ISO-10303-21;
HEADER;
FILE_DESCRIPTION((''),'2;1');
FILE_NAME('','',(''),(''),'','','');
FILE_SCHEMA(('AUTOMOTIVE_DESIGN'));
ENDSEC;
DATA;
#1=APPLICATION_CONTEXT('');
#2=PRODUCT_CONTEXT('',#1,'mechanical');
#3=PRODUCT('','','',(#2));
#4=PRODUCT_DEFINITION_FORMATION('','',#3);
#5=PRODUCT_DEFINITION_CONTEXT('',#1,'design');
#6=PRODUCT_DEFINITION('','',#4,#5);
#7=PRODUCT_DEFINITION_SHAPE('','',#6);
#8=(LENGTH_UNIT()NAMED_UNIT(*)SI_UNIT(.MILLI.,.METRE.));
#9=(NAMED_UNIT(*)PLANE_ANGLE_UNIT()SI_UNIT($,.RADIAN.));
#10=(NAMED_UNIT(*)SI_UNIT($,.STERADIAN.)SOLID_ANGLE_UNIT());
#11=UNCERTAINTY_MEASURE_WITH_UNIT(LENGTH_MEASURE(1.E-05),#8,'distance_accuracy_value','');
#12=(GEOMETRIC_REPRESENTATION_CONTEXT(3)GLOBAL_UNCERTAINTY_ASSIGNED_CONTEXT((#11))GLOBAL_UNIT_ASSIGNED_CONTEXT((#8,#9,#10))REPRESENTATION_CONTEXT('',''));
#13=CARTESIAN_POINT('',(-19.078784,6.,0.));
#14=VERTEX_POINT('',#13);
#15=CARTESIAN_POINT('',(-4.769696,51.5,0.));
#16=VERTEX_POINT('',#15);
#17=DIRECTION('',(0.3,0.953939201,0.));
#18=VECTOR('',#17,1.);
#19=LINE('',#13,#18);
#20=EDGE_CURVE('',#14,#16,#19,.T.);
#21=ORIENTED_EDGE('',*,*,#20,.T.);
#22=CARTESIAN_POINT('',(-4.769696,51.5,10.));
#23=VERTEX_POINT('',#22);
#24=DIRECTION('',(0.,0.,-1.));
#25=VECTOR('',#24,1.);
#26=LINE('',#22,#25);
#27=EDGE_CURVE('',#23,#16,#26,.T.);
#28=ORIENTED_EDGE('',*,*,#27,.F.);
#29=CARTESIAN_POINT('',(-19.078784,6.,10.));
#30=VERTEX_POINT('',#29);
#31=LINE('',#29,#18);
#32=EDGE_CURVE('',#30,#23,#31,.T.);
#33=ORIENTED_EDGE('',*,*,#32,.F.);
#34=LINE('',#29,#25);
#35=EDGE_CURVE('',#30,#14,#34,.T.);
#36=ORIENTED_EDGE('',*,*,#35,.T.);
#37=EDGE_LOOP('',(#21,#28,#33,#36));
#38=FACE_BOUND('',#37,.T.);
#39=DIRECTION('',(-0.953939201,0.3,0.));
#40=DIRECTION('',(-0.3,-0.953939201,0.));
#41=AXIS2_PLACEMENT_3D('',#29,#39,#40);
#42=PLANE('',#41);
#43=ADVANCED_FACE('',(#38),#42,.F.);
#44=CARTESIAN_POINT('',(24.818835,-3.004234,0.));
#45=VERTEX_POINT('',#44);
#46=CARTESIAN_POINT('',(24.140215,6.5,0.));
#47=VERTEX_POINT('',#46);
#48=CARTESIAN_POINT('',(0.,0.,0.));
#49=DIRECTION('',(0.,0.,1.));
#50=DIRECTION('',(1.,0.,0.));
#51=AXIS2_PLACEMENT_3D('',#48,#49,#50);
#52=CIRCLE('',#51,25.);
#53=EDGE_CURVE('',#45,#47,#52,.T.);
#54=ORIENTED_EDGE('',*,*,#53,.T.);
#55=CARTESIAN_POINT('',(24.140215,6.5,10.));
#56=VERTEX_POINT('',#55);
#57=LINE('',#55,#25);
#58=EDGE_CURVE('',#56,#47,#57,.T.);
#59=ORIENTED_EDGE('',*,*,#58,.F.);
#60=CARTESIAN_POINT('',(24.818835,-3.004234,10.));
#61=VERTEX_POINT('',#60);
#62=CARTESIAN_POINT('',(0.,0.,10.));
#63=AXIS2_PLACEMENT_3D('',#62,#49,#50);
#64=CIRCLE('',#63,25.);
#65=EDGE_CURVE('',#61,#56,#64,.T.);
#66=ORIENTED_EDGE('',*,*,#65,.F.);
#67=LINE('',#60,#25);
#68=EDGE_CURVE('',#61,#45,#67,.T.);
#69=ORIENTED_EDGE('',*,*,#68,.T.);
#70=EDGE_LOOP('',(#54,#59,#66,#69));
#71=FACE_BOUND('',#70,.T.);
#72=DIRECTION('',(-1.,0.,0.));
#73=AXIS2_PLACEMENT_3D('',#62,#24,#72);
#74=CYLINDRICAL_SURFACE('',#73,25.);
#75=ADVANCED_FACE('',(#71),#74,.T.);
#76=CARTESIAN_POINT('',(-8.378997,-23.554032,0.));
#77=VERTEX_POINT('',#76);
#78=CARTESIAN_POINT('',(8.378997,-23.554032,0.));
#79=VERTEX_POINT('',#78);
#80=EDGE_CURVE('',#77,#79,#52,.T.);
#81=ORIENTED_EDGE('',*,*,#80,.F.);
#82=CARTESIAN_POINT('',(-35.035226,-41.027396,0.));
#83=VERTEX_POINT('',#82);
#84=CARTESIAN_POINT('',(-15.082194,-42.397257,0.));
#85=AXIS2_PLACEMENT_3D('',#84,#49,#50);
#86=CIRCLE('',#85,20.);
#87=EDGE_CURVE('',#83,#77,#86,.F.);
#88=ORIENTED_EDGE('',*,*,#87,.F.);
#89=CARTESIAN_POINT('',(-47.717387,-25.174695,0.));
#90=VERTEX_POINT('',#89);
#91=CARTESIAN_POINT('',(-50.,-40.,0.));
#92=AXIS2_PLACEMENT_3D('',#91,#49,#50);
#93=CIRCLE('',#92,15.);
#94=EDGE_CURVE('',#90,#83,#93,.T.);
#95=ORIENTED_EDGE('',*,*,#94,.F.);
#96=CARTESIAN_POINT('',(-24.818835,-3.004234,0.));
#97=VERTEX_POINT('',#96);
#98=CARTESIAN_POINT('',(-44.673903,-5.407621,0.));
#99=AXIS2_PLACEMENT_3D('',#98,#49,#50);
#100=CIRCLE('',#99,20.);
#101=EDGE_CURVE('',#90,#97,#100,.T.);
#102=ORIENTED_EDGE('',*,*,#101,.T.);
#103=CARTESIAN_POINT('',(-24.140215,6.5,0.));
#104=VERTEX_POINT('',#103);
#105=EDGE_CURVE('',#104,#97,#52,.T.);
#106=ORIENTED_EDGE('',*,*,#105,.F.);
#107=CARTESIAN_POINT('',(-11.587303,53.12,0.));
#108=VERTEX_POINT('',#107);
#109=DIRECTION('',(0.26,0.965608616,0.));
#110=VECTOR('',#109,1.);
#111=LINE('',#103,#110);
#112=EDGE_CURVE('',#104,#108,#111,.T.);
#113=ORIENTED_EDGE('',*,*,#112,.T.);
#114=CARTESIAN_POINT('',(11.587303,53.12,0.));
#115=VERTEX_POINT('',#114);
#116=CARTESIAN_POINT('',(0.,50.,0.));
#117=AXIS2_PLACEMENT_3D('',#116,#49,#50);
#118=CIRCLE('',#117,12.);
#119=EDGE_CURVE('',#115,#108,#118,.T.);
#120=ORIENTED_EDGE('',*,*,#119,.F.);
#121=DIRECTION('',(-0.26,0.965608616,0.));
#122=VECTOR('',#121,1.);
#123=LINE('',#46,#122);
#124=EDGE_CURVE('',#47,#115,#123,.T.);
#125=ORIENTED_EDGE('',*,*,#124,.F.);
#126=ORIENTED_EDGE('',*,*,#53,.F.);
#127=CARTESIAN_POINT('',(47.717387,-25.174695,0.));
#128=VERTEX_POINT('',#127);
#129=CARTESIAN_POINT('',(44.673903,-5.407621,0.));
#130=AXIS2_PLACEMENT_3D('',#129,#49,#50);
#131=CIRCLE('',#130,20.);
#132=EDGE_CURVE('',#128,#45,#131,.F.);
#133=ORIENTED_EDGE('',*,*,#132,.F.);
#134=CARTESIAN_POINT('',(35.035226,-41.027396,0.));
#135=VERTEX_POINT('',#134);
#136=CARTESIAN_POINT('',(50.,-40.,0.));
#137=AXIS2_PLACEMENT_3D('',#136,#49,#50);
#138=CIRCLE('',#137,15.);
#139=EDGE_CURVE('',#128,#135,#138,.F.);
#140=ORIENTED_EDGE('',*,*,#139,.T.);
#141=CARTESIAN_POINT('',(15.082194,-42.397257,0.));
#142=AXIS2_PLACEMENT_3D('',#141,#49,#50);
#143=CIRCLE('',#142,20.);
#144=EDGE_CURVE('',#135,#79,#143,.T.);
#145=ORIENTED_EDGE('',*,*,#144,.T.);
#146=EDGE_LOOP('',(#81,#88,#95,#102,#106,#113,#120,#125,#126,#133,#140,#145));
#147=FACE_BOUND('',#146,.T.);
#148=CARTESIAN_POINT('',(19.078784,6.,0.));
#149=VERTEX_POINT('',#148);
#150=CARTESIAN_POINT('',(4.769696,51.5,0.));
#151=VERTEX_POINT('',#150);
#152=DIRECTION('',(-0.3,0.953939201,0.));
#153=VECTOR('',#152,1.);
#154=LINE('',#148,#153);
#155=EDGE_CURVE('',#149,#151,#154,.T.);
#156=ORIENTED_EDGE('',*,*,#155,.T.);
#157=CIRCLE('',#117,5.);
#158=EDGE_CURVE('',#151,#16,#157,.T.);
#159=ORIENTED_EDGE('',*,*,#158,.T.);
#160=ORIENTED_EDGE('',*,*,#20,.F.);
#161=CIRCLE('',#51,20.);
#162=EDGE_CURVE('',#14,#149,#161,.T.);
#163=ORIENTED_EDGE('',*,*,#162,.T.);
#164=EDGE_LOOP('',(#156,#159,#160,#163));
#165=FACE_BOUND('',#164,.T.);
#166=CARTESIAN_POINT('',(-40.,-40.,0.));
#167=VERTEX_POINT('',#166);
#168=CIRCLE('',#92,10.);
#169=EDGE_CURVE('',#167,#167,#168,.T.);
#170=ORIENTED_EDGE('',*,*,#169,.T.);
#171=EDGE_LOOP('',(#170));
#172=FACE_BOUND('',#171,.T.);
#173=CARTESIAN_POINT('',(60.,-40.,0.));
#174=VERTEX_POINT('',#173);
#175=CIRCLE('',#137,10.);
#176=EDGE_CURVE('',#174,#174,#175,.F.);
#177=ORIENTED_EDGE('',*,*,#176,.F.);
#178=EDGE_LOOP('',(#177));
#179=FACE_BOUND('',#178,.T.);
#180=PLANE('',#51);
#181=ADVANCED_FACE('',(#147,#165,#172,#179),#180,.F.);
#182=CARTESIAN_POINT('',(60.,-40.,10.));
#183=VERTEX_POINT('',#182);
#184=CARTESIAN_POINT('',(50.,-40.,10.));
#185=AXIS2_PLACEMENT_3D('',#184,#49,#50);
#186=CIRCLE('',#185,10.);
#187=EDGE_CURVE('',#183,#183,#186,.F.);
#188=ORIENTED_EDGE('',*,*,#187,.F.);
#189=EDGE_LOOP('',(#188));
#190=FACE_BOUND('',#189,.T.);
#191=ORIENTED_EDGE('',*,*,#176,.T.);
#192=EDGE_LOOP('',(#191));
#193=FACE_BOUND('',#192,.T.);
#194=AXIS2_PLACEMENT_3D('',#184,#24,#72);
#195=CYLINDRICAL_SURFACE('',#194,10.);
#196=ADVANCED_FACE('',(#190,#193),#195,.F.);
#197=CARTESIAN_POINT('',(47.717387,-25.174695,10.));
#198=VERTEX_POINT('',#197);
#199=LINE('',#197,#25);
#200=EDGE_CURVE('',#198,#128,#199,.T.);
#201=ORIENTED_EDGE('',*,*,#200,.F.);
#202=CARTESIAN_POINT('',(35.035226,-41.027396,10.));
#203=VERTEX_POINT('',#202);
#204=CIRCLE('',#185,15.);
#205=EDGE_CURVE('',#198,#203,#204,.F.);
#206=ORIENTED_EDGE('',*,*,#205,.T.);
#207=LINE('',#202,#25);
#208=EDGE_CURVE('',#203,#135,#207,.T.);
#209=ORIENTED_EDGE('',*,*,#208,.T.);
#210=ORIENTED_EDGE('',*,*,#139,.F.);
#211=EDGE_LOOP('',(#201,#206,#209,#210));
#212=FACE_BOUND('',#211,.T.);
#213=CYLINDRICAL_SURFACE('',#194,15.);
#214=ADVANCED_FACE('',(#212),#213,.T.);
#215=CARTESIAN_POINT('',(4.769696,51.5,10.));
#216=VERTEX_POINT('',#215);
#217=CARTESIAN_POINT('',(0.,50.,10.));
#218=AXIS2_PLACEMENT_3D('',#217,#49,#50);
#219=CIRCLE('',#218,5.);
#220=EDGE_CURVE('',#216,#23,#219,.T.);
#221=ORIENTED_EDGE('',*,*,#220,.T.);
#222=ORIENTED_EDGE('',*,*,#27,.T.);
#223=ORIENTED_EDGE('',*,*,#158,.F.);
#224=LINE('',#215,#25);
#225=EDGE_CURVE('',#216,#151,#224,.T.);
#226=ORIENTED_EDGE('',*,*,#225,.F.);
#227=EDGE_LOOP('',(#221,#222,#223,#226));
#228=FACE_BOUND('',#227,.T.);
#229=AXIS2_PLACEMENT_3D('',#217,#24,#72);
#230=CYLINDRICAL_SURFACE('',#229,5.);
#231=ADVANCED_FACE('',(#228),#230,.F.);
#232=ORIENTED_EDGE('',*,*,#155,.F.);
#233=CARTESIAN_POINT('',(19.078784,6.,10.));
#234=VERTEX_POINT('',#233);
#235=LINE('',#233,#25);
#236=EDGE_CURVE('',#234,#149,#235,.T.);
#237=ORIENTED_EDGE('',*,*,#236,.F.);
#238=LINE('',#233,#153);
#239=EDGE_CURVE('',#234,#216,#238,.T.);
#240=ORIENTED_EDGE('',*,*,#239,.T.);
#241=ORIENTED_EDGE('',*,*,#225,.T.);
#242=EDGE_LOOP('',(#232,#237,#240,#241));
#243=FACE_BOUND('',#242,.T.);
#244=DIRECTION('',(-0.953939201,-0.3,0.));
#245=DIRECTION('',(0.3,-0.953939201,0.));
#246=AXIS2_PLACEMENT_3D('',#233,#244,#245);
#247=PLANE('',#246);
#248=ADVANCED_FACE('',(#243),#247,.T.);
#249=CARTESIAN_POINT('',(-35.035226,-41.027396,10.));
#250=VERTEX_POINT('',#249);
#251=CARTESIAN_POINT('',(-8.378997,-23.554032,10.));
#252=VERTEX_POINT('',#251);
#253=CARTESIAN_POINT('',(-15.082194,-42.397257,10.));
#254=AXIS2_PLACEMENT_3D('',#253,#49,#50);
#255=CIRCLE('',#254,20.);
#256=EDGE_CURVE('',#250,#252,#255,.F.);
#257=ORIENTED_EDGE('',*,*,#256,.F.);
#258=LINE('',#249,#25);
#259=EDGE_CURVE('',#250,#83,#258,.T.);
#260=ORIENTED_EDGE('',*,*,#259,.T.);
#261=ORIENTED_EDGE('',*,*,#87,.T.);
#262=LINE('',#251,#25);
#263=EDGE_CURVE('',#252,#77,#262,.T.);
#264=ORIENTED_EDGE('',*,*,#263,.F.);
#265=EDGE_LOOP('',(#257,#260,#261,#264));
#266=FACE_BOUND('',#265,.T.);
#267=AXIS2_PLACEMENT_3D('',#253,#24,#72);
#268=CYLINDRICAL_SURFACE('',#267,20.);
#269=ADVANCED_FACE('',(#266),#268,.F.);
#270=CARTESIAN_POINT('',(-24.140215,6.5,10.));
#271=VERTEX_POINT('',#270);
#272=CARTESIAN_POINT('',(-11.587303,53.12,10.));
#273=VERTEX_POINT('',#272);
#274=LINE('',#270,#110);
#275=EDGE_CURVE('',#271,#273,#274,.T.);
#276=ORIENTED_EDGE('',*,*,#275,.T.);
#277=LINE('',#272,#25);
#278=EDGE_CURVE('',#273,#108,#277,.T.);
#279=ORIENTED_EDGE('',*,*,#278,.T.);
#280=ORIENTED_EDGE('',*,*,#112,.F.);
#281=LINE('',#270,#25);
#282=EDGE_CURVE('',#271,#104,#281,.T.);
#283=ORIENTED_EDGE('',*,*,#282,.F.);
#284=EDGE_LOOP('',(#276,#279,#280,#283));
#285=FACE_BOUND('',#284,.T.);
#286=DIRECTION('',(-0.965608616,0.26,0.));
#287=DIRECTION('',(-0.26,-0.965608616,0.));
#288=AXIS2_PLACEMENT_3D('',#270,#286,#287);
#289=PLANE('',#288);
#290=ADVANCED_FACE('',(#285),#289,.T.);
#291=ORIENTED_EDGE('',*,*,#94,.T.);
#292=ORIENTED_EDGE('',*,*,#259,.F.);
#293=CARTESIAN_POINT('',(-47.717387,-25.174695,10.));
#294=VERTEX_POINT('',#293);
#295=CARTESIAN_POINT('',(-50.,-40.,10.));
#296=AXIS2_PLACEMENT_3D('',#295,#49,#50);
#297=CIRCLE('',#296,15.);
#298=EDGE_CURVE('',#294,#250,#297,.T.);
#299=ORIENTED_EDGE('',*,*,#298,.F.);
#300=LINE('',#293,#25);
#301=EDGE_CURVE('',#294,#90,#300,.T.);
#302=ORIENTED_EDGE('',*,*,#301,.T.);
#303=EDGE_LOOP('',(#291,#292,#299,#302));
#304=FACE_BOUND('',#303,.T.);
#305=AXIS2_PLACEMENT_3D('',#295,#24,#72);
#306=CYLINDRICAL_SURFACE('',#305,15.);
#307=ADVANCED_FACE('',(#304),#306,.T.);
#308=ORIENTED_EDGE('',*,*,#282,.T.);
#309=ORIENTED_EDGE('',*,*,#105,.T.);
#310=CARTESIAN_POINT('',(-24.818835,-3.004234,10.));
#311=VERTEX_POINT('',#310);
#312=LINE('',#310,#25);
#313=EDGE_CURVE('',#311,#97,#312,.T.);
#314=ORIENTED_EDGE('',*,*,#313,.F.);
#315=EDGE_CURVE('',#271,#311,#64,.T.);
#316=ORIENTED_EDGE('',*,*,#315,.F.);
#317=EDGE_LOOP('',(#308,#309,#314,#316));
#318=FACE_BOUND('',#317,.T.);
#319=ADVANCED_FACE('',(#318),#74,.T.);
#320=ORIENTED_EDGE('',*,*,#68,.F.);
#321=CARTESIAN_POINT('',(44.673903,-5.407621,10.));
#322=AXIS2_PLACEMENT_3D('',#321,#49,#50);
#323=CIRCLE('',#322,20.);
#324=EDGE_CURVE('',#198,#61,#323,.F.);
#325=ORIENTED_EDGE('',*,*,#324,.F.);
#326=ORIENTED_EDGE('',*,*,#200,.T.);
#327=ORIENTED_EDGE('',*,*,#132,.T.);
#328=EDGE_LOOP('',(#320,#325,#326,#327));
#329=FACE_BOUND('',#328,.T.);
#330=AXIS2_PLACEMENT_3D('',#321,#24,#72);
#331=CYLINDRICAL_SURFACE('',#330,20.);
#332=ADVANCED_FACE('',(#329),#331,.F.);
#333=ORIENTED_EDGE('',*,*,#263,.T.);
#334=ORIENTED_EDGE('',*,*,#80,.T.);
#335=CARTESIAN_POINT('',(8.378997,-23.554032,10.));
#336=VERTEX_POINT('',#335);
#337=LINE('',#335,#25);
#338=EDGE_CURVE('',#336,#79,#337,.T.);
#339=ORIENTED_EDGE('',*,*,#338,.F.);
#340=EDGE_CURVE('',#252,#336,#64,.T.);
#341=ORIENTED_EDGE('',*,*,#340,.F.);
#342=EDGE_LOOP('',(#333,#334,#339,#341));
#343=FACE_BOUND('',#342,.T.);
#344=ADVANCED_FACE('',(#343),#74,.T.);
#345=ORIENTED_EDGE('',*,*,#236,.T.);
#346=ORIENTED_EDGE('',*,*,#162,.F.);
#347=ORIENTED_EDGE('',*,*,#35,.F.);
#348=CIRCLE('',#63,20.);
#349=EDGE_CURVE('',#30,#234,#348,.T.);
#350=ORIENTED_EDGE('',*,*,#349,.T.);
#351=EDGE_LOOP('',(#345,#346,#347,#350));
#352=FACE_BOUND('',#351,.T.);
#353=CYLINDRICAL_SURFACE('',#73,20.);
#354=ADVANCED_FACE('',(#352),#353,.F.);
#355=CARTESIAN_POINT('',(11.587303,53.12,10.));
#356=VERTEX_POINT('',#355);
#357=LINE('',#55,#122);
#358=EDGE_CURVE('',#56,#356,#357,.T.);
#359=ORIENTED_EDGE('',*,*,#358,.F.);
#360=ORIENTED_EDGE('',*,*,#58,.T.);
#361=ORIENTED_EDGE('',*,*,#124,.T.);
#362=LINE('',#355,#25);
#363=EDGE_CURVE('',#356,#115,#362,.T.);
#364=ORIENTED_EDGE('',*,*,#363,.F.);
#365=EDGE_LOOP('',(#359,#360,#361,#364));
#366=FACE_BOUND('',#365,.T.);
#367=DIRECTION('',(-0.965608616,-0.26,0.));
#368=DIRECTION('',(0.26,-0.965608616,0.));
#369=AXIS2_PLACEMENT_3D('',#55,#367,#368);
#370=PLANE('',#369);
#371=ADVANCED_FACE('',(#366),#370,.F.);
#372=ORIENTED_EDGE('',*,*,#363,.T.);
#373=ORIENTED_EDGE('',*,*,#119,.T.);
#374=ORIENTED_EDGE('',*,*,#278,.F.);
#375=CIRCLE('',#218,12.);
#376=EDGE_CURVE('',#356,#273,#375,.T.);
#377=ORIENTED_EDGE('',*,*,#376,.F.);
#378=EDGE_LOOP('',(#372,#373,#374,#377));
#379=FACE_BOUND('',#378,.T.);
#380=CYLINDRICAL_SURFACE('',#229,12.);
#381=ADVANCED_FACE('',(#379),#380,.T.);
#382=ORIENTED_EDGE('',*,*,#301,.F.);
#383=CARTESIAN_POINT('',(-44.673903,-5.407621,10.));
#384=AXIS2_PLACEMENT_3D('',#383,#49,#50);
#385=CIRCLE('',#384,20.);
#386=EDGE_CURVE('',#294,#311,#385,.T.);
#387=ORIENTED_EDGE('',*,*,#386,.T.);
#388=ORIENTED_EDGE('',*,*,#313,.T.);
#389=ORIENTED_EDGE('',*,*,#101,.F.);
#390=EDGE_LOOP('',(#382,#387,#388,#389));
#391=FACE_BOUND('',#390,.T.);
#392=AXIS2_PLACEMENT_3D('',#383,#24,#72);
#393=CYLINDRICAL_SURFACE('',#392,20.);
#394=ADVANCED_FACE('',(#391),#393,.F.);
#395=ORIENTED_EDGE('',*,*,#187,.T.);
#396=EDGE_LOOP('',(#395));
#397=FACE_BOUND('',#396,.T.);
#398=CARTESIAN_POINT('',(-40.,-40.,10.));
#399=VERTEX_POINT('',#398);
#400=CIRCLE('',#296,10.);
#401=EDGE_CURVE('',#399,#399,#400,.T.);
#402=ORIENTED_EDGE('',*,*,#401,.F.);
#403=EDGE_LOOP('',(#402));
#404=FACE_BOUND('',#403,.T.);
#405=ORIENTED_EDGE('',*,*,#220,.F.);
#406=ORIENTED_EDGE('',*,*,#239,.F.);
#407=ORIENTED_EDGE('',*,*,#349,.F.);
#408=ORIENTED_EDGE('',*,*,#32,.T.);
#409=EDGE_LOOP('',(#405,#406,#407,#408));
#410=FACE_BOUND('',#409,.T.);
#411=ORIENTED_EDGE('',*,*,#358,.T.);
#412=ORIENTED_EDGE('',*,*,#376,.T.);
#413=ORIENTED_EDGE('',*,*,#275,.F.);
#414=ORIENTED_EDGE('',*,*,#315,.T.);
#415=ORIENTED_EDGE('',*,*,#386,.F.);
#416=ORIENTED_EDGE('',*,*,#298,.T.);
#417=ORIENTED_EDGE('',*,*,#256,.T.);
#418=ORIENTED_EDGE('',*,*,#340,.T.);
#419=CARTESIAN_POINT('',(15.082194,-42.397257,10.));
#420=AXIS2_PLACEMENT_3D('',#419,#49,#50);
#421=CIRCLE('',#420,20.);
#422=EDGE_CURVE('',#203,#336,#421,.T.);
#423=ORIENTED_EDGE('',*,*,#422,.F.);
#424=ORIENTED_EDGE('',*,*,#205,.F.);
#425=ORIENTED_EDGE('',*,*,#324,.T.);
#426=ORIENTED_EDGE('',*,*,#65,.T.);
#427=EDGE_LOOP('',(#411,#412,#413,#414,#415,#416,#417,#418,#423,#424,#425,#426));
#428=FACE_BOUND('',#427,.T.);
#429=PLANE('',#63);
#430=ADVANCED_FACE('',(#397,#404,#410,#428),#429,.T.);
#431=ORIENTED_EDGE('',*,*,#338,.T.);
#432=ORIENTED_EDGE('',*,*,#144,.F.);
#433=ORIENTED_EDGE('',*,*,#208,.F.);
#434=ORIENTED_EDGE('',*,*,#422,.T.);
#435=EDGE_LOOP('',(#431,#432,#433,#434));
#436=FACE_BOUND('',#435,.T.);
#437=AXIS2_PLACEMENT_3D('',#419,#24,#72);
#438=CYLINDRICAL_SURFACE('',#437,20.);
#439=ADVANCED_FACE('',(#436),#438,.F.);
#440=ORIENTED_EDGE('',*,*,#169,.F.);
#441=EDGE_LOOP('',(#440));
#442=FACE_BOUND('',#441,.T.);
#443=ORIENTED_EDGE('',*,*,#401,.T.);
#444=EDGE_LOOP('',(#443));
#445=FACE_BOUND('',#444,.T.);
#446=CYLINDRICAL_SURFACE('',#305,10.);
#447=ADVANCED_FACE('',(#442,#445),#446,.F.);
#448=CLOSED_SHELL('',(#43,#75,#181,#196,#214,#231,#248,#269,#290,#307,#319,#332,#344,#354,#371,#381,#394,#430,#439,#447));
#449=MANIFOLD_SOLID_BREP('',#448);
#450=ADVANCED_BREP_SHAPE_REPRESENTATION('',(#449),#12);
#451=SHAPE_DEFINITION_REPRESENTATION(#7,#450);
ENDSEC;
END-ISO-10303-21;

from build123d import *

# Parameters (mm, degrees)
SKETCH1_R           = 15
SKETCH1_R_2         = 10
BOSS_EXTRUDE1_DEPTH = 10


with BuildPart() as part:
    # Sketch1 → Boss-Extrude1 (new body)
    # profile 1 of 3: a face of its own
    with BuildSketch(Plane.XY):
        with BuildLine():
            Line((-11.587303396, 53.12), (-24.140215409, 6.5))
            ThreePointArc((-24.140215409, 6.5), (-24.936514863, 1.780512988), (-24.81883517, -3.004233816))
            ThreePointArc((-24.81883517, -3.004233816), (-30.762049538, -19.776348187), (-47.717387131, -25.174694658))
            ThreePointArc((-47.717387131, -25.174694658), (-38.614939767, -30.233710864), (-35, -40))
            ThreePointArc((-35, -40), (-35.008809114, -40.513999826), (-35.03522611, -41.027395935))
            ThreePointArc((-35.03522611, -41.027395935), (-26.046643252, -25.670606045), (-8.378996809, -23.554031767))
            ThreePointArc((-8.378996809, -23.554031767), (0, -25), (8.378996809, -23.554031767))
            ThreePointArc((8.378996809, -23.554031767), (26.046643252, -25.670606045), (35.03522611, -41.027395935))
            ThreePointArc((35.03522611, -41.027395935), (38.286967858, -30.629574287), (47.717387131, -25.174694658))
            ThreePointArc((47.717387131, -25.174694658), (30.762049538, -19.776348187), (24.81883517, -3.004233816))
            ThreePointArc((24.81883517, -3.004233816), (24.936514863, 1.780512988), (24.140215409, 6.5))
            Line((24.140215409, 6.5), (11.587303396, 53.12))
            ThreePointArc((11.587303396, 53.12), (0, 62), (-11.587303396, 53.12))
        make_face()
        with BuildLine():
            ThreePointArc((19.078784028, 6), (0, -20), (-19.078784028, 6))
            Line((-19.078784028, 6), (-4.769696007, 51.5))
            ThreePointArc((-4.769696007, 51.5), (0, 55), (4.769696007, 51.5))
            Line((4.769696007, 51.5), (19.078784028, 6))
        make_face(mode=Mode.SUBTRACT)
    # profile 2 of 3: a face of its own
    with BuildSketch(Plane.XY):
        with Locations((-50, -40)):
            Circle(SKETCH1_R)
        with Locations((-50, -40)):
            Circle(SKETCH1_R_2, mode=Mode.SUBTRACT)
    # profile 3 of 3: a face of its own
    with BuildSketch(Plane.XY):
        with Locations((50, -40)):
            Circle(SKETCH1_R)
        with Locations((50, -40)):
            Circle(SKETCH1_R_2, mode=Mode.SUBTRACT)
    extrude(amount=BOSS_EXTRUDE1_DEPTH)


solid = part.part
